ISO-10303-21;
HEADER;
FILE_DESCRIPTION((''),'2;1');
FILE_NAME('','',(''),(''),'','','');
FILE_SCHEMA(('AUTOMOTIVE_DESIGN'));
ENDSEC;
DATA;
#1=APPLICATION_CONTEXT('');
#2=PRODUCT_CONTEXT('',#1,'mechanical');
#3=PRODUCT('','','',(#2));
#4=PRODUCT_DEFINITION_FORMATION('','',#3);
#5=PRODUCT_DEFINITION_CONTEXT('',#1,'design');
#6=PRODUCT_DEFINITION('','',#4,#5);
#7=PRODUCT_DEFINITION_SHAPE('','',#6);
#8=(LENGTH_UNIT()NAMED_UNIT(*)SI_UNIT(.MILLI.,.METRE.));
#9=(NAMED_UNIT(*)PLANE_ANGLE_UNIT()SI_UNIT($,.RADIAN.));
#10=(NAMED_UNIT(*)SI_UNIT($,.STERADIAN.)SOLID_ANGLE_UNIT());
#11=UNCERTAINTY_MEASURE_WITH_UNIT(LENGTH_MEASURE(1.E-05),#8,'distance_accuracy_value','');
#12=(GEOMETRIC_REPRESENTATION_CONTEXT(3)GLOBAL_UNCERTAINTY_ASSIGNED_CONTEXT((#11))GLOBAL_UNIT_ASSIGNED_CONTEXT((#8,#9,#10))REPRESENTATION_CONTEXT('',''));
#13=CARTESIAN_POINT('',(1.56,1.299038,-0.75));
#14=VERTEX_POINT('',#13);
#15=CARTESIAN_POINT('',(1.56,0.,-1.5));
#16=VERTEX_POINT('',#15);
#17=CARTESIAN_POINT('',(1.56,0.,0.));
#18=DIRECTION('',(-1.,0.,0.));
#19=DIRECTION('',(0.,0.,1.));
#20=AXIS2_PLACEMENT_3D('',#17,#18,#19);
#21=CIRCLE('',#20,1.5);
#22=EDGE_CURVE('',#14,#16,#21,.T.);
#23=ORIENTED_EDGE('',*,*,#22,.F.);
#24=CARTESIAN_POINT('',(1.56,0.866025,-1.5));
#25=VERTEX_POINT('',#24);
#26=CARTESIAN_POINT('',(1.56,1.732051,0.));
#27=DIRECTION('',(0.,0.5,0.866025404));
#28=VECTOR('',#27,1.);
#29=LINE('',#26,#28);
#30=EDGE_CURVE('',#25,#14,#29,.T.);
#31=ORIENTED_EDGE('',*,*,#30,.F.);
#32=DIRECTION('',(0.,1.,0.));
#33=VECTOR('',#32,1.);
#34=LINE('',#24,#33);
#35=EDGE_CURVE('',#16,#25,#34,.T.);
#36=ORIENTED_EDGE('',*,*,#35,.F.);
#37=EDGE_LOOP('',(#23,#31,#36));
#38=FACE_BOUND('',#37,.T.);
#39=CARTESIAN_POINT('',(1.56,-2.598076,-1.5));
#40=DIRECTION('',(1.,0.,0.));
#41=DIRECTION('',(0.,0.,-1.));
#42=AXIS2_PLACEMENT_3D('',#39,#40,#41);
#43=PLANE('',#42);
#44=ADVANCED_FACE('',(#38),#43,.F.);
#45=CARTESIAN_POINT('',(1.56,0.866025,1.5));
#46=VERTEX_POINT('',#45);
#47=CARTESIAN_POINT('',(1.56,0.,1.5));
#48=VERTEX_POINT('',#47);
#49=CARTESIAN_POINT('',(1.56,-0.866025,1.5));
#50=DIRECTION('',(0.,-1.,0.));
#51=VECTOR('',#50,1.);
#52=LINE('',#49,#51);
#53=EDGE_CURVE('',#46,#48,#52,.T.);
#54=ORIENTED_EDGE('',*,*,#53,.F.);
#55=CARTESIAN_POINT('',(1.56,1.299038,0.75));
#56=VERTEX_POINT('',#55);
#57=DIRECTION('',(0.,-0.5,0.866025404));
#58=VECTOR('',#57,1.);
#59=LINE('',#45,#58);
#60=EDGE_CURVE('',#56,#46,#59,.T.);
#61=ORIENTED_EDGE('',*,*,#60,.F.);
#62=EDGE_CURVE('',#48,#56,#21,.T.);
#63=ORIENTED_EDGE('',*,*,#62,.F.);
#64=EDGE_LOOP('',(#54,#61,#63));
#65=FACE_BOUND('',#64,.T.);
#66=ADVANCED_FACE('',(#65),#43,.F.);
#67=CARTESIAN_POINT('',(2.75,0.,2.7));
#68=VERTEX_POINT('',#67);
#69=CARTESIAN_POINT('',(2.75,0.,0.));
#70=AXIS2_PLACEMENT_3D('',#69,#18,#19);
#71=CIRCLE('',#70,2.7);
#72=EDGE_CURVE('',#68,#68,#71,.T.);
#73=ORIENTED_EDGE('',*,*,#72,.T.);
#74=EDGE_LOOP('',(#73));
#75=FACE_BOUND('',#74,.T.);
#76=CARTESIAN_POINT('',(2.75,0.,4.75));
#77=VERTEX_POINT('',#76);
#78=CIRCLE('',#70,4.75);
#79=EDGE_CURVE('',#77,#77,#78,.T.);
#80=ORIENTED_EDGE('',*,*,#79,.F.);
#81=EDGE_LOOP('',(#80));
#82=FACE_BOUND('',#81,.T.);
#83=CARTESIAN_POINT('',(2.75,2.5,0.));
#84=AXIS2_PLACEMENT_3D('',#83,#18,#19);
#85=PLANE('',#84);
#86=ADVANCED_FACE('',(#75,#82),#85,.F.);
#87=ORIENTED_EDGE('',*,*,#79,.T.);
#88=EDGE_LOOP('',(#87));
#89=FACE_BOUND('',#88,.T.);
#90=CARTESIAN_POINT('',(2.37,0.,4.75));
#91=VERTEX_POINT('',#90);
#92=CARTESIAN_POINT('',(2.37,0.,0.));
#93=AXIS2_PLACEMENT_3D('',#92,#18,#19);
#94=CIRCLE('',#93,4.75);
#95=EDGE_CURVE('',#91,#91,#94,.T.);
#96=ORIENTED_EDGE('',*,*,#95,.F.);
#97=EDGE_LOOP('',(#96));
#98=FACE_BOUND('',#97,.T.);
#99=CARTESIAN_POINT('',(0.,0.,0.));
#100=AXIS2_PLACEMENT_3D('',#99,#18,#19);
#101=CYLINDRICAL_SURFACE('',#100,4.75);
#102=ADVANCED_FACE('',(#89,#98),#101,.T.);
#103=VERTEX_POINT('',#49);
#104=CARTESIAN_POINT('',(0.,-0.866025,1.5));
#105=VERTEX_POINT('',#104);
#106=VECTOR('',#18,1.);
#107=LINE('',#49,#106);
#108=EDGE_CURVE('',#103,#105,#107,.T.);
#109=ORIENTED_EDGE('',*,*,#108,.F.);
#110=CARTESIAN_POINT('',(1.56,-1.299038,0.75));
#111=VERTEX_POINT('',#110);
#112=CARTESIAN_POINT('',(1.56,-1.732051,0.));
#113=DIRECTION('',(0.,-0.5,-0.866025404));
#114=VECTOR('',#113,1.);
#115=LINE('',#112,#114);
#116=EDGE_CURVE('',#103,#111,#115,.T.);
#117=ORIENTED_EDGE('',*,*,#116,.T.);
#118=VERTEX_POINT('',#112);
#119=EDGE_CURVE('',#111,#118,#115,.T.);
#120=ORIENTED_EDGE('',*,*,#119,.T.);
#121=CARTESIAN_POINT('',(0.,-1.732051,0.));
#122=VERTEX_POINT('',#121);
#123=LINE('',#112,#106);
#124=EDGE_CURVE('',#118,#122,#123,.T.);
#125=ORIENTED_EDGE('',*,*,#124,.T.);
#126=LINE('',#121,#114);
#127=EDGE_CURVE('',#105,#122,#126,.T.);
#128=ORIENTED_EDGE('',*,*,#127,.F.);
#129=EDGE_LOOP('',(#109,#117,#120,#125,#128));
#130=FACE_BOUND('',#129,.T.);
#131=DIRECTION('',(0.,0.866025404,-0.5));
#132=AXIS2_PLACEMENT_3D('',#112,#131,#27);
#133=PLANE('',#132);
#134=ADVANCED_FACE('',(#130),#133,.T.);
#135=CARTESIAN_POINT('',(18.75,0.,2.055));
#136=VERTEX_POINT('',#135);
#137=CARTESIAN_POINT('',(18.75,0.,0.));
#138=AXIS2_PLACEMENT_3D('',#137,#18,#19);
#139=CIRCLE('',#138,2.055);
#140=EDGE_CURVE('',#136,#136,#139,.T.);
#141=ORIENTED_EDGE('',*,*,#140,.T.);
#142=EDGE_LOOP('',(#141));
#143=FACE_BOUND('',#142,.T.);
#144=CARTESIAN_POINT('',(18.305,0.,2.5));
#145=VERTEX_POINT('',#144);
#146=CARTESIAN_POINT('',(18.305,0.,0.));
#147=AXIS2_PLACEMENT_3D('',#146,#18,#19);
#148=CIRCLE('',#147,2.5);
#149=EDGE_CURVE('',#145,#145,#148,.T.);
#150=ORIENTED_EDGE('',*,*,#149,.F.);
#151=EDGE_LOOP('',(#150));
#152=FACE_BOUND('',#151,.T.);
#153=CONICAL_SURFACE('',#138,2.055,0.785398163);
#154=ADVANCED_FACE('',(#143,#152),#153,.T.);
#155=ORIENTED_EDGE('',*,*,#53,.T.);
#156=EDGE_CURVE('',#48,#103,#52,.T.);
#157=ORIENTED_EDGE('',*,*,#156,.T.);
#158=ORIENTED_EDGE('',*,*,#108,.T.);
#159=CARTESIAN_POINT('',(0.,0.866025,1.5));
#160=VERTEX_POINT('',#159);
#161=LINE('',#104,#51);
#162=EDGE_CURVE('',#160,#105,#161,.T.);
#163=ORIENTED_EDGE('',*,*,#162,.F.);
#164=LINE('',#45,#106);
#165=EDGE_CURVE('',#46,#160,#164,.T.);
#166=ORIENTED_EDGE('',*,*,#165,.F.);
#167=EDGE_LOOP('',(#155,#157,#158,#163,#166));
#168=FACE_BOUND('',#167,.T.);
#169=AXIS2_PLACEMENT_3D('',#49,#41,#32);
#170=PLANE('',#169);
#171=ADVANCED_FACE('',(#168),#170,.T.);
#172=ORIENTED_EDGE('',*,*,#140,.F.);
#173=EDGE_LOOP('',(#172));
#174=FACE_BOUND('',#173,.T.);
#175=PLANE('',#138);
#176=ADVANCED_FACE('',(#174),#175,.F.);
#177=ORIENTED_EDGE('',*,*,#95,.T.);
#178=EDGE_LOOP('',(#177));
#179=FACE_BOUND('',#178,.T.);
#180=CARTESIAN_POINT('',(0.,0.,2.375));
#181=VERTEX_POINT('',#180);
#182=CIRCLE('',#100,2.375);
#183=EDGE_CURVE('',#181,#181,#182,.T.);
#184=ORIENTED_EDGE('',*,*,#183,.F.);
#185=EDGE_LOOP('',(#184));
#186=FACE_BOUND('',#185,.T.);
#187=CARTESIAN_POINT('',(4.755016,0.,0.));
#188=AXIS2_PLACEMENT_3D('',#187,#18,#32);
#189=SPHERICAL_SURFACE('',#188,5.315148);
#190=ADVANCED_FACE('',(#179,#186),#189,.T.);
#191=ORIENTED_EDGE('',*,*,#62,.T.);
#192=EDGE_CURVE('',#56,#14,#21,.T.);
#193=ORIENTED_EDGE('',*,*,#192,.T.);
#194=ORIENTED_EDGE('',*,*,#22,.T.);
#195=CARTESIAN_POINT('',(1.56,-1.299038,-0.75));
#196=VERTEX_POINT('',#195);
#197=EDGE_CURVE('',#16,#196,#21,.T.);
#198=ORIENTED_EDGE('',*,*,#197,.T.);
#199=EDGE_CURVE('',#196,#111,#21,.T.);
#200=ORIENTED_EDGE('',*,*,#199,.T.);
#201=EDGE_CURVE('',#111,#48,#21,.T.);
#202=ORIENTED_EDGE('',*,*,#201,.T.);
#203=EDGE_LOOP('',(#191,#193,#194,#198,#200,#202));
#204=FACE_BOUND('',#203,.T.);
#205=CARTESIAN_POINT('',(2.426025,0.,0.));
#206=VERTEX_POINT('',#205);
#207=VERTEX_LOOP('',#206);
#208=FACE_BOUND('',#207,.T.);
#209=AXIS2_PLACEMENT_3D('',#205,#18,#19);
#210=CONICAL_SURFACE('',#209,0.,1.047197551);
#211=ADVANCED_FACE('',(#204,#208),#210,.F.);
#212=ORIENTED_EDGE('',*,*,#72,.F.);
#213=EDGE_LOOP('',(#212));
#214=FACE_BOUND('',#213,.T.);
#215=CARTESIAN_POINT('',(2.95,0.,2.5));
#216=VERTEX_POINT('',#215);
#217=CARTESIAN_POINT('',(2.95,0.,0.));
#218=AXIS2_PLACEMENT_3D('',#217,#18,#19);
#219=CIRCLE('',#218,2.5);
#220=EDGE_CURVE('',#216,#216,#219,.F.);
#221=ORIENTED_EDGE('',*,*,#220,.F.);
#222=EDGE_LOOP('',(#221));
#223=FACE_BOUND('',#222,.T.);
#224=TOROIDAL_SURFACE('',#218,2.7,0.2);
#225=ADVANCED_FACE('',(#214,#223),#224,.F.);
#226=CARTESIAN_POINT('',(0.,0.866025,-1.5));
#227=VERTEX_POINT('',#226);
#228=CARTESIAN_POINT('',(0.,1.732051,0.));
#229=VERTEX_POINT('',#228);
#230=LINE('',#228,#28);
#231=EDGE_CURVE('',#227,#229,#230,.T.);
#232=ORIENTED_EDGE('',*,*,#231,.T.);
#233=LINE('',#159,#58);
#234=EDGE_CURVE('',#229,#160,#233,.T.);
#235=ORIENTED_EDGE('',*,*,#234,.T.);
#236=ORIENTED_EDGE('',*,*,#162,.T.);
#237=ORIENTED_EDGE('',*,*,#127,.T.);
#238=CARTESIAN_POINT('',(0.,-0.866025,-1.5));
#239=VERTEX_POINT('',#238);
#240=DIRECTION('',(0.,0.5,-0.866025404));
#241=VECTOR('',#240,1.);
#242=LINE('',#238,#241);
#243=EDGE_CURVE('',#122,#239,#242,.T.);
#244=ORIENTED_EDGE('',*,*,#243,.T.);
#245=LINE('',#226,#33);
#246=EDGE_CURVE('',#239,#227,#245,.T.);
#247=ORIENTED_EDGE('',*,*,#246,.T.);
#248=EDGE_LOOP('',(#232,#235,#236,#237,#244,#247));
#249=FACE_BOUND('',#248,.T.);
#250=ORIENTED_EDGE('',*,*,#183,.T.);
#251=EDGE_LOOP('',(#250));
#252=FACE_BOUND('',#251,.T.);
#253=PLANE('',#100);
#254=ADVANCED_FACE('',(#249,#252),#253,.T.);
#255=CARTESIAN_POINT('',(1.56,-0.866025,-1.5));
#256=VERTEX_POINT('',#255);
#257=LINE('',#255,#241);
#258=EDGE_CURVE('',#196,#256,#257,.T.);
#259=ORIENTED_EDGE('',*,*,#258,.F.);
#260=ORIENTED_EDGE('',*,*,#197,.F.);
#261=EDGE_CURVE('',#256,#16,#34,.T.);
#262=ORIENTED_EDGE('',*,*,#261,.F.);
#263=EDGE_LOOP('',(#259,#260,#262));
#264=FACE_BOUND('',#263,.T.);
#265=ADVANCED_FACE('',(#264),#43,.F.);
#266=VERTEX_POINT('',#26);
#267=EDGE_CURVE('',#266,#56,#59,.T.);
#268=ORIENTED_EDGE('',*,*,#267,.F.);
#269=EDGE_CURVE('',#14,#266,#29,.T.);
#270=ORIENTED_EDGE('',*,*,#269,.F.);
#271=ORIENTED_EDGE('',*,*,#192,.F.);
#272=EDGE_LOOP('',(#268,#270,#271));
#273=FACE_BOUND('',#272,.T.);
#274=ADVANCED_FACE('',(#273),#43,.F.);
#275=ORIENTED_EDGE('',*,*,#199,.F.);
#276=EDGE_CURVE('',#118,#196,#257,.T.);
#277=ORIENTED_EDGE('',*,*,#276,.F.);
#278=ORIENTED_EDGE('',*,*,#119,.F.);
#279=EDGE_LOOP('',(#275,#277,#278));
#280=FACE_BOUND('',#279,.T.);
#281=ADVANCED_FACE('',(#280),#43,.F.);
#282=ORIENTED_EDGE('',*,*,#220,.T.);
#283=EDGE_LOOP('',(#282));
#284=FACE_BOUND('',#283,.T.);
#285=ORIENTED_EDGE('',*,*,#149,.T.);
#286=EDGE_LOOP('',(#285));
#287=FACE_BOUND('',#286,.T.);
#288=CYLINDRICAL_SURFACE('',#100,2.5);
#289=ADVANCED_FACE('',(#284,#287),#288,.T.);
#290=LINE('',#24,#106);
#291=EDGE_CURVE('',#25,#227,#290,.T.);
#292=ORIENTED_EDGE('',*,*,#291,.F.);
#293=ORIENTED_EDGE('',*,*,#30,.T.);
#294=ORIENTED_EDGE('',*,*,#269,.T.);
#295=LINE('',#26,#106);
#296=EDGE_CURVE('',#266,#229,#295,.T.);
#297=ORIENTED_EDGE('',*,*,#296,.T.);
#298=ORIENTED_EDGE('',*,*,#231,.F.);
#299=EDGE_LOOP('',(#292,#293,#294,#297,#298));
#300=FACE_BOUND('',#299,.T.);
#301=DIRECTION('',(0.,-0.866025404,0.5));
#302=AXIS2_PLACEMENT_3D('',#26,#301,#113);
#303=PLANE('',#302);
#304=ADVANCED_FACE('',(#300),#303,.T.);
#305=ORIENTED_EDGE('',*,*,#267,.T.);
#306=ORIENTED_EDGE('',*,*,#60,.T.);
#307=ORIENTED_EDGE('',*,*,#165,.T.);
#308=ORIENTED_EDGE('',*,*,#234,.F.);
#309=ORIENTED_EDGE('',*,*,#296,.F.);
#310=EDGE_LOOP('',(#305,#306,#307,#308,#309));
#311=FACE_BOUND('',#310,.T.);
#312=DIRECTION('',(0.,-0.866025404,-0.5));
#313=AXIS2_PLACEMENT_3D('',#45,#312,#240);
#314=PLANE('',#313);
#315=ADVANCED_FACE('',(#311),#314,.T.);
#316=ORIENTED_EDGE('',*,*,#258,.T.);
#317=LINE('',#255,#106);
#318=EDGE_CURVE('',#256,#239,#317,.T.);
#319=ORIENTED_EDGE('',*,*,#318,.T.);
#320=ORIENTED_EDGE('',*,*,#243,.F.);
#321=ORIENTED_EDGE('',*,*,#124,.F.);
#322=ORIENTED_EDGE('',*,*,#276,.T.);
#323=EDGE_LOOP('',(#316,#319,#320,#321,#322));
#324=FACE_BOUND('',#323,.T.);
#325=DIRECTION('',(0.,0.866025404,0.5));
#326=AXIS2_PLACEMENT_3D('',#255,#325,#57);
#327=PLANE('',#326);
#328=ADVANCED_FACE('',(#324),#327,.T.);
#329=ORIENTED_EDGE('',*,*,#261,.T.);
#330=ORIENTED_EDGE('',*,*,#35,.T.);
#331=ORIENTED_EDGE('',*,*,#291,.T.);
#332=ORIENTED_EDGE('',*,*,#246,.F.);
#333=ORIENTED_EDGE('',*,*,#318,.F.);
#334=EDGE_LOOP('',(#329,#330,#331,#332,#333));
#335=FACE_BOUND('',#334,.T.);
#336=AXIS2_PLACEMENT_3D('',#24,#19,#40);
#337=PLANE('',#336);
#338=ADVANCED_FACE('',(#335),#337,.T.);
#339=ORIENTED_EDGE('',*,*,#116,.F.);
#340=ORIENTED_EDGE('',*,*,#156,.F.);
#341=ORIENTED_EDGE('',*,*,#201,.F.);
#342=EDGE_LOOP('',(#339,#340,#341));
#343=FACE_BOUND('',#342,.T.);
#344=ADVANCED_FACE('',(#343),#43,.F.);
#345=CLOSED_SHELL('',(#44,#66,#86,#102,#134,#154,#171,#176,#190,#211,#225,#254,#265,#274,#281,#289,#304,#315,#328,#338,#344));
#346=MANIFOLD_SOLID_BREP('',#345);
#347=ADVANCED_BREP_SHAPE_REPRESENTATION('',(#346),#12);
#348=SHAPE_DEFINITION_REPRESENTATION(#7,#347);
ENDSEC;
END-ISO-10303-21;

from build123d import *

# Parameters (mm, degrees)
FILLET1_R   = 0.2
HEX_2_DEPTH = 1.56


with BuildPart() as part:
    # BodySke → BaseBody (revolve)
    with BuildSketch(Plane.XY):
        with BuildLine():
            Line((18.75, 0), (18.75, 2.055))
            Line((18.75, 2.055), (18.305, 2.5))
            Line((18.305, 2.5), (2.75, 2.5))
            Line((2.75, 2.5), (2.75, 4.75))
            Line((2.75, 4.75), (2.37, 4.75))
            ThreePointArc((2.37, 4.75), (0.992680215, 3.754414901), (0, 2.375))
            Line((0, 2.375), (0, 0))
            Line((0, 0), (18.75, 0))
        make_face()
    revolve(axis=Axis((0, 0, 0), (1, 0, 0)))

    # Fillet1
    fillet1_edges = [part.edges().sort_by_distance(p)[0] for p in [
        (2.75, -2.5, 0),
    ]]
    fillet(fillet1_edges, radius=FILLET1_R)

    # Sketch2 → PreBroach (revolve, cut)
    with BuildSketch(Plane.XY):
        Polygon((0, 1.5), (1.56, 1.5), (2.426025404, 0), (0, 0), align=None)
    revolve(axis=Axis((0, 0, 0), (1, 0, 0)), mode=Mode.SUBTRACT)

    # Sketch3 → Hex 2 (cut)
    with BuildSketch(Plane(origin=(0, 0, 0), x_dir=(0, 0, -1), z_dir=(1, 0, 0))):
        Polygon((-1.5, -0.866025404), (-1.5, 0.866025404), (0, 1.732050808), (1.5, 0.866025404), (1.5, -0.866025404), (0, -1.732050808), align=None)
    extrude(amount=HEX_2_DEPTH, mode=Mode.SUBTRACT)


solid = part.part
